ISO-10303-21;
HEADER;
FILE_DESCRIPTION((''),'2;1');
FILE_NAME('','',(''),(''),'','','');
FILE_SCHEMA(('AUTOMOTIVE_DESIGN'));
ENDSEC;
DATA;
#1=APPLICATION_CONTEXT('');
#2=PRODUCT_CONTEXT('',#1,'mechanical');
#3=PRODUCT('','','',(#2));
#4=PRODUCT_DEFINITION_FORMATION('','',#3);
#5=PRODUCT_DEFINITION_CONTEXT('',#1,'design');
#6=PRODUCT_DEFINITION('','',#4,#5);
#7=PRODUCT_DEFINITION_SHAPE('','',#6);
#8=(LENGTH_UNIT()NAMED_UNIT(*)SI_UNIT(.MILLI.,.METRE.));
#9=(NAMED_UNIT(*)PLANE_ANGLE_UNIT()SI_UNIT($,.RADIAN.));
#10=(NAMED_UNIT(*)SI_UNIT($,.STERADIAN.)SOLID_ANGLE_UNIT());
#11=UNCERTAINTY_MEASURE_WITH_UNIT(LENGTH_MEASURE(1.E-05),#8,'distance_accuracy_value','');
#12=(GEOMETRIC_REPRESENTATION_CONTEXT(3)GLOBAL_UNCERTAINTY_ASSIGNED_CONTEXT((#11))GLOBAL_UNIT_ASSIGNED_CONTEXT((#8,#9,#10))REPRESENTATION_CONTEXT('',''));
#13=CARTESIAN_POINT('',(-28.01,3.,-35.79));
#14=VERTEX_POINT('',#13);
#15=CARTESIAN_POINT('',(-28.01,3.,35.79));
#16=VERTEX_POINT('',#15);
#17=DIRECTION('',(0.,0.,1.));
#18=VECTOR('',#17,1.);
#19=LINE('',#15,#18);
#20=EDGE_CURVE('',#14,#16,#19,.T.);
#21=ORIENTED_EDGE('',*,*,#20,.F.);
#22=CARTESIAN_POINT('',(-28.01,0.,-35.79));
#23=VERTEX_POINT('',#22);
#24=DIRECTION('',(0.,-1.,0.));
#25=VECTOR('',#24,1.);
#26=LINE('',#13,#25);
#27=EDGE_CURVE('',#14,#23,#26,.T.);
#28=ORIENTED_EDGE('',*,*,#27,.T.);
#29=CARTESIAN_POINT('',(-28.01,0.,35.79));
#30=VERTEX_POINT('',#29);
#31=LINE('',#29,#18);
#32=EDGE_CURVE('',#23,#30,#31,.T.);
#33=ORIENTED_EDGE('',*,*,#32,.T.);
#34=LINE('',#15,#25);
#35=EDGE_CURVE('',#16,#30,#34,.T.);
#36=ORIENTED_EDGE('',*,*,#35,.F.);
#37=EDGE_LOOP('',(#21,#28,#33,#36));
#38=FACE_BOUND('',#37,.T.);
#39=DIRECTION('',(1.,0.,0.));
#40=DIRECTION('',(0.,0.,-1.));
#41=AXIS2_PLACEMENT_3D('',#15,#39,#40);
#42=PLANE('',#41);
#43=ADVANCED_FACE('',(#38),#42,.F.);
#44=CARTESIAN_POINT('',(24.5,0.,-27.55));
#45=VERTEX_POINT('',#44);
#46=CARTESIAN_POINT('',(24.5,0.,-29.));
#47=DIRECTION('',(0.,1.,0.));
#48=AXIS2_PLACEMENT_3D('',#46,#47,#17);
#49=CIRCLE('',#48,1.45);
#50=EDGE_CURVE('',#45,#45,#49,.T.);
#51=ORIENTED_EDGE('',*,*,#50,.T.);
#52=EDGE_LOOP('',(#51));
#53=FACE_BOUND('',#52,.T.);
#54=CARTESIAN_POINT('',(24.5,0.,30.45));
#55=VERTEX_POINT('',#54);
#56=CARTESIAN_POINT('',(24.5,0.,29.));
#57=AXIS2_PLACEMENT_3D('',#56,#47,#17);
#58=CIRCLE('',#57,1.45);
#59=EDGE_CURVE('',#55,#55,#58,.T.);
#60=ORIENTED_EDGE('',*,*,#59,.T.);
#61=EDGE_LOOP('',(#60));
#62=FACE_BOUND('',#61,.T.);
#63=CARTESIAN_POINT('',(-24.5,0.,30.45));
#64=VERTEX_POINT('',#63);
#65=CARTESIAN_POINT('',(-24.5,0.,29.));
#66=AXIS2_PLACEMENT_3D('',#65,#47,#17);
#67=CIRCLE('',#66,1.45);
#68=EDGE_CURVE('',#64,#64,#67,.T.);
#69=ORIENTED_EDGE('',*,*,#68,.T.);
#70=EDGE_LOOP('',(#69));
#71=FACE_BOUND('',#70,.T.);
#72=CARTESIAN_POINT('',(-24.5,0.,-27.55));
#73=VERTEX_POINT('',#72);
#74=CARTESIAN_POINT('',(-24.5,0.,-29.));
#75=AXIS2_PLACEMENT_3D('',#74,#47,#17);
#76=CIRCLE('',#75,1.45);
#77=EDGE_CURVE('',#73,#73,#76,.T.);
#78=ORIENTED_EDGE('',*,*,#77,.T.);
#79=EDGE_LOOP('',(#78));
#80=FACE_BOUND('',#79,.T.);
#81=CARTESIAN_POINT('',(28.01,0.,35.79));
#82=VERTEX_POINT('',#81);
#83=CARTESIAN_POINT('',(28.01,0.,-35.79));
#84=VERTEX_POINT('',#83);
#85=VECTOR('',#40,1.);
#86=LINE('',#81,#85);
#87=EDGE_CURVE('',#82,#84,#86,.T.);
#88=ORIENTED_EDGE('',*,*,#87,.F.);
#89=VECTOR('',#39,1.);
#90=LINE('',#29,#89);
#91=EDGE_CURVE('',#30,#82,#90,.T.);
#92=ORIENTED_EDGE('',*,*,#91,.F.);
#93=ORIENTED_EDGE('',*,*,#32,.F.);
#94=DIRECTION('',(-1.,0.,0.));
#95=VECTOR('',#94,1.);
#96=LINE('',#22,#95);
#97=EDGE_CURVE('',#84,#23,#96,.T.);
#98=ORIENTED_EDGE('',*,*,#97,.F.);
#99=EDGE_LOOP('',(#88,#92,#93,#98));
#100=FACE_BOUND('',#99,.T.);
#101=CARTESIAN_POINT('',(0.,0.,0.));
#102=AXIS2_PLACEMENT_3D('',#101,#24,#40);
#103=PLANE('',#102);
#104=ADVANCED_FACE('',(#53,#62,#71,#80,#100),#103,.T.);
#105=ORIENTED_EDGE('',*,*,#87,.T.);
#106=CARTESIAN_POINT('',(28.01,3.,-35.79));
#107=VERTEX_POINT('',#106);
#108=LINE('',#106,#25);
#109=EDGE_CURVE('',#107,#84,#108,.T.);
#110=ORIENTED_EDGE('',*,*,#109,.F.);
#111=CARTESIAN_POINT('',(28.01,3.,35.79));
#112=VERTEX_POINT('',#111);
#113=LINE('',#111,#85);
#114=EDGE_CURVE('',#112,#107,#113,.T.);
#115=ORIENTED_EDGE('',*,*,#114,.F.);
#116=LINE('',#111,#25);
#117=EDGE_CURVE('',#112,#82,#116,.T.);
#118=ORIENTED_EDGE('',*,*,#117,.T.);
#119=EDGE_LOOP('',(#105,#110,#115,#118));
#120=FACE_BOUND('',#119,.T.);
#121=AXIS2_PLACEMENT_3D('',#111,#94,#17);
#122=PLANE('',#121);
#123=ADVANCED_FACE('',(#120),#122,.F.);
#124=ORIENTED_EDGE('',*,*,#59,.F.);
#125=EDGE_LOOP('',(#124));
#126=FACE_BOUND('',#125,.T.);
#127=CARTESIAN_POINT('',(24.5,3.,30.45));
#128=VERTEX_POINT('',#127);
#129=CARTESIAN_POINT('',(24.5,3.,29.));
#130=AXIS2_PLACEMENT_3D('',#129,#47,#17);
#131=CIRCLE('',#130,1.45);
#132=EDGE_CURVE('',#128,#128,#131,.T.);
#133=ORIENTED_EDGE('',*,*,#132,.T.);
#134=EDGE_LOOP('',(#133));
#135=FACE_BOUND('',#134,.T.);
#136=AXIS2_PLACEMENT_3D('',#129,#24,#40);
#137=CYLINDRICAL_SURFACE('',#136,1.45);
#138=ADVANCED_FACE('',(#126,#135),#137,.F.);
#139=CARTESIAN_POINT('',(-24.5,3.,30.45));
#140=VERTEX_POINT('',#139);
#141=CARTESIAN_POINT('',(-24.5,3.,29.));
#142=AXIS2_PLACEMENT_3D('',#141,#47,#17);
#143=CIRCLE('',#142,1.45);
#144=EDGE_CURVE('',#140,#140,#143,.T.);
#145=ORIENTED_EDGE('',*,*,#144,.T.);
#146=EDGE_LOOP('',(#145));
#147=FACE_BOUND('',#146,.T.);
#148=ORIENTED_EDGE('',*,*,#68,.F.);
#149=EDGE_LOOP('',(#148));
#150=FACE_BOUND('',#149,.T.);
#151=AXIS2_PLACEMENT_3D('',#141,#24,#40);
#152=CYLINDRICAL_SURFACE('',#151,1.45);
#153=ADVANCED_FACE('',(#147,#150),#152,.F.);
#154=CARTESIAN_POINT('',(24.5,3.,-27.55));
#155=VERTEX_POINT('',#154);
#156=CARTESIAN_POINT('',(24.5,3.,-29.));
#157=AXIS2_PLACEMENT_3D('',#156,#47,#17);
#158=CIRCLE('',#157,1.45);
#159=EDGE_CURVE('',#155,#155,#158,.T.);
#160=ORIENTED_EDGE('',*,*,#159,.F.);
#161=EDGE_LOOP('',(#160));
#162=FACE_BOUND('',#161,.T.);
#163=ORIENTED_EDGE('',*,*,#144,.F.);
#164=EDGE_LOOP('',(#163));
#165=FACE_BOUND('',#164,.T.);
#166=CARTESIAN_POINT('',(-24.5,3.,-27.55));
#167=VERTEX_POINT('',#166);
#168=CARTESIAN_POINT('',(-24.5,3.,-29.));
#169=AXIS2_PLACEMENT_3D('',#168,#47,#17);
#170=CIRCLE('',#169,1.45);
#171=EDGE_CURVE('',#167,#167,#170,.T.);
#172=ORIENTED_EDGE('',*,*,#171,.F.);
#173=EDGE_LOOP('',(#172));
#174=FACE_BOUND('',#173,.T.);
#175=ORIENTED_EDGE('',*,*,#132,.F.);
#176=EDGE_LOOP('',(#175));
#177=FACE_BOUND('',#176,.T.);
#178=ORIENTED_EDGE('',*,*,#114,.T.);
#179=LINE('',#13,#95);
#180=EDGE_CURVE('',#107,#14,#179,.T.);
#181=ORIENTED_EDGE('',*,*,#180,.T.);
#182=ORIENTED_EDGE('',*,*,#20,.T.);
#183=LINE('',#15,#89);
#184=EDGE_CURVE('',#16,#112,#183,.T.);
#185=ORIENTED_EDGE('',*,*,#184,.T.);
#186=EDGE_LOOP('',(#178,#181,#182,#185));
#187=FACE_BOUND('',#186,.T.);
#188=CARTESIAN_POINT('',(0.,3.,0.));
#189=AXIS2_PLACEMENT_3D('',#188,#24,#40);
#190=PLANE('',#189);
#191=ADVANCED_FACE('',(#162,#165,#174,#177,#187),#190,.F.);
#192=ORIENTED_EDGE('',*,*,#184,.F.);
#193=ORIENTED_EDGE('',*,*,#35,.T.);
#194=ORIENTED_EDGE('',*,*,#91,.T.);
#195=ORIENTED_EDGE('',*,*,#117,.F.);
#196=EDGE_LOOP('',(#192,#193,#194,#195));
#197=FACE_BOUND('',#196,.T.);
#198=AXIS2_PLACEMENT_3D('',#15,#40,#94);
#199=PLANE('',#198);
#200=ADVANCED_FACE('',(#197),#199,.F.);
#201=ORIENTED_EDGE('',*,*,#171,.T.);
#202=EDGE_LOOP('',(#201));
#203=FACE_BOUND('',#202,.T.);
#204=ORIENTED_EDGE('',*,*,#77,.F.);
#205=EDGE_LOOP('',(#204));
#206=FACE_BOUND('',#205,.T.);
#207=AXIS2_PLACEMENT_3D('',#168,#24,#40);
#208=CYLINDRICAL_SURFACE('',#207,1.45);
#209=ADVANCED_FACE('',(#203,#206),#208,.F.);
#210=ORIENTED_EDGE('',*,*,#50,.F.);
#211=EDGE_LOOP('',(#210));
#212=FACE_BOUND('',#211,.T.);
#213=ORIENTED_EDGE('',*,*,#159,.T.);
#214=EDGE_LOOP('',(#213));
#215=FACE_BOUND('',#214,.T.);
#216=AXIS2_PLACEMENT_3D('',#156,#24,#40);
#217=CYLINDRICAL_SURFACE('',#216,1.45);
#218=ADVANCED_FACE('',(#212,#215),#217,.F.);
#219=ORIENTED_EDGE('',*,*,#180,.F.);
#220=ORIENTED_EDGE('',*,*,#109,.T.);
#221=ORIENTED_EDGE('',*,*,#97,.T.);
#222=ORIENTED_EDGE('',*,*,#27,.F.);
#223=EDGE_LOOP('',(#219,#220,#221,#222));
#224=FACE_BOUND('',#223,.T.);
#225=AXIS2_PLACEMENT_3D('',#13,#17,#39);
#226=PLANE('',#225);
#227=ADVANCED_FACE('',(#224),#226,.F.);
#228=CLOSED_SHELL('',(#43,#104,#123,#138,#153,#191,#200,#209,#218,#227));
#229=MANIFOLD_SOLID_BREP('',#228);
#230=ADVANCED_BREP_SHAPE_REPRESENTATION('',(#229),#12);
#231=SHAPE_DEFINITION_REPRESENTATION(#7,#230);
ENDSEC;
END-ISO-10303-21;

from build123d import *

# Parameters (mm, degrees)
SKETCH1_W           = 56.02
SKETCH1_H           = 71.58
SKETCH1_R           = 1.45
BOSS_EXTRUDE1_DEPTH = 3


with BuildPart() as part:
    # Sketch1 → Boss-Extrude1 (new body)
    with BuildSketch(Plane(origin=(0, 0, 0), x_dir=(1, 0, 0), z_dir=(0, 1, 0))):
        Rectangle(SKETCH1_W, SKETCH1_H)
        with Locations((-24.5, 29)):
            Circle(SKETCH1_R, mode=Mode.SUBTRACT)
        with Locations((-24.5, -29)):
            Circle(SKETCH1_R, mode=Mode.SUBTRACT)
        with Locations((24.5, -29)):
            Circle(SKETCH1_R, mode=Mode.SUBTRACT)
        with Locations((24.5, 29)):
            Circle(SKETCH1_R, mode=Mode.SUBTRACT)
    extrude(amount=BOSS_EXTRUDE1_DEPTH)


solid = part.part
